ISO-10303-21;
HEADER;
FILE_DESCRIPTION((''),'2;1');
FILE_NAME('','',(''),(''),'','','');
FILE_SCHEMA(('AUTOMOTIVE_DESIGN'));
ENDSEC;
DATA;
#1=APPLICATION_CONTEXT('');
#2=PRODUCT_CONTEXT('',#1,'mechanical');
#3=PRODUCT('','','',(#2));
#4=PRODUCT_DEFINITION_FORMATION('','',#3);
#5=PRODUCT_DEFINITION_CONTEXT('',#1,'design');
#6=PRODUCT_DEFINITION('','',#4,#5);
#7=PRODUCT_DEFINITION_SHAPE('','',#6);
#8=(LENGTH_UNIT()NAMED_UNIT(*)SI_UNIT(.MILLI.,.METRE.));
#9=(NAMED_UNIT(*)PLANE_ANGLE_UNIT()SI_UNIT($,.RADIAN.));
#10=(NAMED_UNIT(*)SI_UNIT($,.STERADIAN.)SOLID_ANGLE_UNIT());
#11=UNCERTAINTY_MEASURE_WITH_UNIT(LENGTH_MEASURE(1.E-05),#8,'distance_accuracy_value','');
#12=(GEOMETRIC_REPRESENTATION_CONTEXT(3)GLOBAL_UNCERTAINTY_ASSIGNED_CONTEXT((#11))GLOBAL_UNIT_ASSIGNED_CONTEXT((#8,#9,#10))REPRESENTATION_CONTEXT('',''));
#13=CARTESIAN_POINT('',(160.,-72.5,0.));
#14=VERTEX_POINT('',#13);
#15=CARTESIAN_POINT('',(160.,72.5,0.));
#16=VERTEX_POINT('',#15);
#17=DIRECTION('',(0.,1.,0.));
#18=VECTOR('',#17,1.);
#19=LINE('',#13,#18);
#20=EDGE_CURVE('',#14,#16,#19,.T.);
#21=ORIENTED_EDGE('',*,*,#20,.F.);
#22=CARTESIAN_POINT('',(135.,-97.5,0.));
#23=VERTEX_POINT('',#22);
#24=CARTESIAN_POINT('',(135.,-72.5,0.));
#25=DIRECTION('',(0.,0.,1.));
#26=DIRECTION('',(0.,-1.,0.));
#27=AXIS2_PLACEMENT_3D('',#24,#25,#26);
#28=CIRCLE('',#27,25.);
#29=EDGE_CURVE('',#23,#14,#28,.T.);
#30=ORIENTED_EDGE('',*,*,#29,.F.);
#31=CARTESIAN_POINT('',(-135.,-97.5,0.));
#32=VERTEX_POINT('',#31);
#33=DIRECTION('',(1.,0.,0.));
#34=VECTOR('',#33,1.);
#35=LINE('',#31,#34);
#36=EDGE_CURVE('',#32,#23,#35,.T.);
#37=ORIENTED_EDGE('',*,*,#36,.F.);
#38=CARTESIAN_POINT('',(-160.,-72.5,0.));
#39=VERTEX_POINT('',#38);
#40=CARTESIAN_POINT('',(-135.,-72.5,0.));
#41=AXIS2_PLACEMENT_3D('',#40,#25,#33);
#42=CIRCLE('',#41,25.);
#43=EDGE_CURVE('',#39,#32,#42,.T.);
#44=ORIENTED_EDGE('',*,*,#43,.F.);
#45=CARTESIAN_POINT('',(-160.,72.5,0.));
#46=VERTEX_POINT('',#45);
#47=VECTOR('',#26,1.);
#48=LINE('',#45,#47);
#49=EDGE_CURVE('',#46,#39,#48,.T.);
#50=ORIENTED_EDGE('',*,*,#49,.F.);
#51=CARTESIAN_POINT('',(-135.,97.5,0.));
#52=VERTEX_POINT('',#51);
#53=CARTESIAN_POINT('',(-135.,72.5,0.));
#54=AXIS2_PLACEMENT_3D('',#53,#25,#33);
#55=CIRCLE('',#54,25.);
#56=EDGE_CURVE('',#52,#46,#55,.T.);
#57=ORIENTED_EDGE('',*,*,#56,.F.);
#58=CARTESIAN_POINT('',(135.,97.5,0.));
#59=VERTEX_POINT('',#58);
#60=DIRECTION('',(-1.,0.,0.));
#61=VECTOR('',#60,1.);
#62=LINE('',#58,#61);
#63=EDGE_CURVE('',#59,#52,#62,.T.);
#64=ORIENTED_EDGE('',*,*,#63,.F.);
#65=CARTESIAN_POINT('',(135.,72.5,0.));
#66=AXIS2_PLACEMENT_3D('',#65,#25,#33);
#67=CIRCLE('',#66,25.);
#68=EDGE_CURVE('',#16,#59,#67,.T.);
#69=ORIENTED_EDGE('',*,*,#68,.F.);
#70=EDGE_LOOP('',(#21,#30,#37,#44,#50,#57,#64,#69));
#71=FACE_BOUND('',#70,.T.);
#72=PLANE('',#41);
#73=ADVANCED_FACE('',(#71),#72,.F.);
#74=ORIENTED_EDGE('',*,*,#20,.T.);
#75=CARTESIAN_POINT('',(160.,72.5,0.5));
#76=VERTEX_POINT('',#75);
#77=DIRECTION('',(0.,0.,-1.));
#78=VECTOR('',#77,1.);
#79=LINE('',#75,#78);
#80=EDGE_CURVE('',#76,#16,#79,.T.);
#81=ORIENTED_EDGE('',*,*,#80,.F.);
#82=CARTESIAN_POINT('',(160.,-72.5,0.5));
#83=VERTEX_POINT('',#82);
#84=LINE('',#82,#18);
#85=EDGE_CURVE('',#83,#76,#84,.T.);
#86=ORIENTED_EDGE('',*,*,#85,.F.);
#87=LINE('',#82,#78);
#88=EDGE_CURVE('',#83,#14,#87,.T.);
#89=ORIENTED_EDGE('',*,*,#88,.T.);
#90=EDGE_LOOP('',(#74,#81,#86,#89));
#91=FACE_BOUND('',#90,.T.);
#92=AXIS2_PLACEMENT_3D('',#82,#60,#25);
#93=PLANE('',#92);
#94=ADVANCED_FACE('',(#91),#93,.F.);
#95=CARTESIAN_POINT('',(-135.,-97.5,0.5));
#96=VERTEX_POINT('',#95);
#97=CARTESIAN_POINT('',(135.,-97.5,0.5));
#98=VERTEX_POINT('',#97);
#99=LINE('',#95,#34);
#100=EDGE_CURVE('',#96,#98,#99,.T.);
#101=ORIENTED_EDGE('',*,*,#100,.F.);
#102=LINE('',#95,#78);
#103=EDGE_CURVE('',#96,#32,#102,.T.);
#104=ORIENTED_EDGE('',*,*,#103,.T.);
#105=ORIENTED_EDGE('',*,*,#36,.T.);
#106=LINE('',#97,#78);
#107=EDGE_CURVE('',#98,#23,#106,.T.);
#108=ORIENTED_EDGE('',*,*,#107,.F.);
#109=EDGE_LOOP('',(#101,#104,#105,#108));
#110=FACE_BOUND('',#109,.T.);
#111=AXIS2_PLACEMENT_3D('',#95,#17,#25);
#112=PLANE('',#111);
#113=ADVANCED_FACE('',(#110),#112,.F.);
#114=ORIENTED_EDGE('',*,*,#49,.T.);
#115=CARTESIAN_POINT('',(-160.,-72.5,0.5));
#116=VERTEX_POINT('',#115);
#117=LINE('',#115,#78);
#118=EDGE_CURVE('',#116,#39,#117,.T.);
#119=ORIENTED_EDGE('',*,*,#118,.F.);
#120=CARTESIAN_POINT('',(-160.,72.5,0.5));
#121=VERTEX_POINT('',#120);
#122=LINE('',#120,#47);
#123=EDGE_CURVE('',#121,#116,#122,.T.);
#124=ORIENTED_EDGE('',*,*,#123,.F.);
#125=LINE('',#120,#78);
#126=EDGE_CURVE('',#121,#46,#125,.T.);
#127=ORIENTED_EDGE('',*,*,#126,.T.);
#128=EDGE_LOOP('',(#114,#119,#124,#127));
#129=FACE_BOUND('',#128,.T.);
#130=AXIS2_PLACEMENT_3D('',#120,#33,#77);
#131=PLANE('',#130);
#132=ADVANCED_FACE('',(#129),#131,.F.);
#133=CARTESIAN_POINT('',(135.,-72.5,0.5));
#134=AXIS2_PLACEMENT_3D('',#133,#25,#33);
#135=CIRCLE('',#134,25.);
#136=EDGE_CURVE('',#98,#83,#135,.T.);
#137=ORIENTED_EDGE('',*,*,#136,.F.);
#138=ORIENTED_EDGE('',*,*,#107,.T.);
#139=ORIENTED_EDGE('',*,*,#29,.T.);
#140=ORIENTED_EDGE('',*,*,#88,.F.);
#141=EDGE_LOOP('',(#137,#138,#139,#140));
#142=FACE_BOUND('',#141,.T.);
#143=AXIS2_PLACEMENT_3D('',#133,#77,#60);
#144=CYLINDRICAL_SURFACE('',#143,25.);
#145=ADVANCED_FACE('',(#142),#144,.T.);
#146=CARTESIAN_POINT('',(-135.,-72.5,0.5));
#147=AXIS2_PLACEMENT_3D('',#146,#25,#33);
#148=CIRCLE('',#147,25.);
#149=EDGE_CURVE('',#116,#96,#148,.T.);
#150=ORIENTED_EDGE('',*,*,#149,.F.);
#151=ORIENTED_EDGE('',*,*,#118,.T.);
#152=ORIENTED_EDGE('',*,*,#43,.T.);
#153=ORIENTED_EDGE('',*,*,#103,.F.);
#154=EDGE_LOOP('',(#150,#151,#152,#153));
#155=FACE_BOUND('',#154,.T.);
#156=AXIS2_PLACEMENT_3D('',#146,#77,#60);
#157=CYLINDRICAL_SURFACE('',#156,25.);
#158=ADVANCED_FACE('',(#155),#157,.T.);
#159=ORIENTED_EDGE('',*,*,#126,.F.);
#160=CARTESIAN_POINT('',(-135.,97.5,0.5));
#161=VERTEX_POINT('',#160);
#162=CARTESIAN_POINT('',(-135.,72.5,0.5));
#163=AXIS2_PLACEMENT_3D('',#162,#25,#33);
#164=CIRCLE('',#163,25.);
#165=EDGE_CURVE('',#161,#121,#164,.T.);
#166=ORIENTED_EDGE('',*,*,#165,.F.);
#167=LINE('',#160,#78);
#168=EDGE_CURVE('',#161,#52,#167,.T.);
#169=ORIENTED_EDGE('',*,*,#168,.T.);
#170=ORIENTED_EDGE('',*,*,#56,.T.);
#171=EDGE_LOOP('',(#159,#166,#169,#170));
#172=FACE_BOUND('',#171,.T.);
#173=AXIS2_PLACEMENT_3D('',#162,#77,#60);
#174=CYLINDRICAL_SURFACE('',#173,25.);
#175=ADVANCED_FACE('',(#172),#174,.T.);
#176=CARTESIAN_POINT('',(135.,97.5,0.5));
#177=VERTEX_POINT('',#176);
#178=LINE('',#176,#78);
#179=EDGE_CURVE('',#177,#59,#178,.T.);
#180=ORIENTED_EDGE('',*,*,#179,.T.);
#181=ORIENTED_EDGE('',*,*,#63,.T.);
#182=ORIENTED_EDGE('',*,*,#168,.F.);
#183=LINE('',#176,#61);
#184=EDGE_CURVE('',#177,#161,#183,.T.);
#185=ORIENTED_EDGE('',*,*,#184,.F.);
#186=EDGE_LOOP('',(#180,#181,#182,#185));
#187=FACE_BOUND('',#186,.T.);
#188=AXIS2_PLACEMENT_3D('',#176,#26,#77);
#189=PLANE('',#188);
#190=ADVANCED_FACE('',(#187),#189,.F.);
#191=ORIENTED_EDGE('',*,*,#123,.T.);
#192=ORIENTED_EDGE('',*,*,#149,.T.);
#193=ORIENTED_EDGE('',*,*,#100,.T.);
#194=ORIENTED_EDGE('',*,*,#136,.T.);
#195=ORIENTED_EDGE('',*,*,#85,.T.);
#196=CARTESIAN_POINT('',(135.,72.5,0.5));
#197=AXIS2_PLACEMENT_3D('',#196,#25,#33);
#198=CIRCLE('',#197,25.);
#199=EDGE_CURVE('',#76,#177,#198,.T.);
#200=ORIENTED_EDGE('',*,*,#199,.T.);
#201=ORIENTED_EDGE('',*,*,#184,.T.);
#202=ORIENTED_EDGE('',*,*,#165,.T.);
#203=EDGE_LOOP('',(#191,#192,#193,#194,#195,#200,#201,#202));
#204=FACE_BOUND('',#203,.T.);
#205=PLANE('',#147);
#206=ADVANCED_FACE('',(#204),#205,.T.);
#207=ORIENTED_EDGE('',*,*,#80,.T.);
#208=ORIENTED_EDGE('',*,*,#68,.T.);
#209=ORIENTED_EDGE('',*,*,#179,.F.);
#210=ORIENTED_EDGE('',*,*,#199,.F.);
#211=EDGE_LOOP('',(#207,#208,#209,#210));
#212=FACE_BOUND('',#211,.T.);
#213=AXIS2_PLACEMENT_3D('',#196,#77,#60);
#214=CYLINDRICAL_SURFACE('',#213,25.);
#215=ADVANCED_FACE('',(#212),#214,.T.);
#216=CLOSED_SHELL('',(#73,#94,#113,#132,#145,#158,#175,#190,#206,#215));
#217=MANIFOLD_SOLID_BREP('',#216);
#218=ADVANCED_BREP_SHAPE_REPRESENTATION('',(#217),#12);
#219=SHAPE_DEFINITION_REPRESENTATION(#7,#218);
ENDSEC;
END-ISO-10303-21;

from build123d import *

# Parameters (mm, degrees)
BOSS_EXTRUDE1_DEPTH = 0.5
FILLET1_R           = 20
FILLET2_R           = 5
SKETCH5_W           = 85
SKETCH5_H           = 69.5
CUT_EXTRUDE1_DEPTH  = 98.5000001


with BuildPart() as part:
    # Sketch1 → Boss-Extrude1 (new body)
    with BuildSketch(Plane.XY):
        with BuildLine():
            Line((-135, -97.5), (135, -97.5))
            ThreePointArc((135, -97.5), (152.67766953, -90.17766953), (160, -72.5))
            Line((160, -72.5), (160, 72.5))
            ThreePointArc((160, 72.5), (152.67766953, 90.17766953), (135, 97.5))
            Line((135, 97.5), (-135, 97.5))
            ThreePointArc((-135, 97.5), (-152.67766953, 90.17766953), (-160, 72.5))
            Line((-160, 72.5), (-160, -72.5))
            ThreePointArc((-160, -72.5), (-152.67766953, -90.17766953), (-135, -97.5))
        make_face()
    extrude(amount=BOSS_EXTRUDE1_DEPTH)

    # Sketch3 → Loft1 section 0
    with BuildSketch(Plane(origin=(0, 0, 0), x_dir=(-1, 0, 0), z_dir=(0, 0, -1))):
        with BuildLine():
            Line((-135, -97.5), (-75, -97.5))
            Line((-75, -97.5), (-75, -37.5))
            ThreePointArc((-75, -37.5), (-82.32233047, -19.82233047), (-100, -12.5))
            Line((-100, -12.5), (-160, -12.5))
            Line((-160, -12.5), (-160, -72.5))
            ThreePointArc((-160, -72.5), (-152.67766953, -90.17766953), (-135, -97.5))
        make_face()
    # Sketch4 → Loft1 section 1
    with BuildSketch(Plane.XY.offset(-69.5)):
        with BuildLine():
            Line((153, -72.5), (153, -19.5))
            Line((153, -19.5), (100, -19.5))
            ThreePointArc((100, -19.5), (87.272077939, -24.772077939), (82, -37.5))
            Line((82, -37.5), (82, -90.5))
            Line((82, -90.5), (135, -90.5))
            ThreePointArc((135, -90.5), (147.727922061, -85.227922061), (153, -72.5))
        make_face()
    loft()

    # Fillet1
    fillet1_edges = [part.edges().sort_by_distance(p)[0] for p in [
        (82, -64, -69.5),
        (126.5, -19.5, -69.5),
    ]]
    fillet(fillet1_edges, radius=FILLET1_R)

    # Fillet2
    fillet2_edges = [part.edges().sort_by_distance(p)[0] for p in [
        (77.593739129, -94.906260871, -25.75212421),
        (86.655220253, -91.021861498, -64.318660839),
        (117.543397663, -90.5, -69.5),
        (153, -55.043320694, -69.5),
        (147.727922061, -85.227922061, -69.5),
        (153.521863591, -24.155150727, -64.318640061),
        (157.406260281, -15.093739719, -25.752130071),
    ]]
    fillet(fillet2_edges, radius=FILLET2_R)

    # Sketch5 → Cut-Extrude1 (cut, through all)
    with BuildSketch(Plane(origin=(0, 0, 0), x_dir=(1, 0, 0), z_dir=(0, 1, 0))):
        with Locations((117.5, 34.75)):
            Rectangle(SKETCH5_W, SKETCH5_H)
    extrude(amount=-CUT_EXTRUDE1_DEPTH, mode=Mode.SUBTRACT)


solid = part.part
